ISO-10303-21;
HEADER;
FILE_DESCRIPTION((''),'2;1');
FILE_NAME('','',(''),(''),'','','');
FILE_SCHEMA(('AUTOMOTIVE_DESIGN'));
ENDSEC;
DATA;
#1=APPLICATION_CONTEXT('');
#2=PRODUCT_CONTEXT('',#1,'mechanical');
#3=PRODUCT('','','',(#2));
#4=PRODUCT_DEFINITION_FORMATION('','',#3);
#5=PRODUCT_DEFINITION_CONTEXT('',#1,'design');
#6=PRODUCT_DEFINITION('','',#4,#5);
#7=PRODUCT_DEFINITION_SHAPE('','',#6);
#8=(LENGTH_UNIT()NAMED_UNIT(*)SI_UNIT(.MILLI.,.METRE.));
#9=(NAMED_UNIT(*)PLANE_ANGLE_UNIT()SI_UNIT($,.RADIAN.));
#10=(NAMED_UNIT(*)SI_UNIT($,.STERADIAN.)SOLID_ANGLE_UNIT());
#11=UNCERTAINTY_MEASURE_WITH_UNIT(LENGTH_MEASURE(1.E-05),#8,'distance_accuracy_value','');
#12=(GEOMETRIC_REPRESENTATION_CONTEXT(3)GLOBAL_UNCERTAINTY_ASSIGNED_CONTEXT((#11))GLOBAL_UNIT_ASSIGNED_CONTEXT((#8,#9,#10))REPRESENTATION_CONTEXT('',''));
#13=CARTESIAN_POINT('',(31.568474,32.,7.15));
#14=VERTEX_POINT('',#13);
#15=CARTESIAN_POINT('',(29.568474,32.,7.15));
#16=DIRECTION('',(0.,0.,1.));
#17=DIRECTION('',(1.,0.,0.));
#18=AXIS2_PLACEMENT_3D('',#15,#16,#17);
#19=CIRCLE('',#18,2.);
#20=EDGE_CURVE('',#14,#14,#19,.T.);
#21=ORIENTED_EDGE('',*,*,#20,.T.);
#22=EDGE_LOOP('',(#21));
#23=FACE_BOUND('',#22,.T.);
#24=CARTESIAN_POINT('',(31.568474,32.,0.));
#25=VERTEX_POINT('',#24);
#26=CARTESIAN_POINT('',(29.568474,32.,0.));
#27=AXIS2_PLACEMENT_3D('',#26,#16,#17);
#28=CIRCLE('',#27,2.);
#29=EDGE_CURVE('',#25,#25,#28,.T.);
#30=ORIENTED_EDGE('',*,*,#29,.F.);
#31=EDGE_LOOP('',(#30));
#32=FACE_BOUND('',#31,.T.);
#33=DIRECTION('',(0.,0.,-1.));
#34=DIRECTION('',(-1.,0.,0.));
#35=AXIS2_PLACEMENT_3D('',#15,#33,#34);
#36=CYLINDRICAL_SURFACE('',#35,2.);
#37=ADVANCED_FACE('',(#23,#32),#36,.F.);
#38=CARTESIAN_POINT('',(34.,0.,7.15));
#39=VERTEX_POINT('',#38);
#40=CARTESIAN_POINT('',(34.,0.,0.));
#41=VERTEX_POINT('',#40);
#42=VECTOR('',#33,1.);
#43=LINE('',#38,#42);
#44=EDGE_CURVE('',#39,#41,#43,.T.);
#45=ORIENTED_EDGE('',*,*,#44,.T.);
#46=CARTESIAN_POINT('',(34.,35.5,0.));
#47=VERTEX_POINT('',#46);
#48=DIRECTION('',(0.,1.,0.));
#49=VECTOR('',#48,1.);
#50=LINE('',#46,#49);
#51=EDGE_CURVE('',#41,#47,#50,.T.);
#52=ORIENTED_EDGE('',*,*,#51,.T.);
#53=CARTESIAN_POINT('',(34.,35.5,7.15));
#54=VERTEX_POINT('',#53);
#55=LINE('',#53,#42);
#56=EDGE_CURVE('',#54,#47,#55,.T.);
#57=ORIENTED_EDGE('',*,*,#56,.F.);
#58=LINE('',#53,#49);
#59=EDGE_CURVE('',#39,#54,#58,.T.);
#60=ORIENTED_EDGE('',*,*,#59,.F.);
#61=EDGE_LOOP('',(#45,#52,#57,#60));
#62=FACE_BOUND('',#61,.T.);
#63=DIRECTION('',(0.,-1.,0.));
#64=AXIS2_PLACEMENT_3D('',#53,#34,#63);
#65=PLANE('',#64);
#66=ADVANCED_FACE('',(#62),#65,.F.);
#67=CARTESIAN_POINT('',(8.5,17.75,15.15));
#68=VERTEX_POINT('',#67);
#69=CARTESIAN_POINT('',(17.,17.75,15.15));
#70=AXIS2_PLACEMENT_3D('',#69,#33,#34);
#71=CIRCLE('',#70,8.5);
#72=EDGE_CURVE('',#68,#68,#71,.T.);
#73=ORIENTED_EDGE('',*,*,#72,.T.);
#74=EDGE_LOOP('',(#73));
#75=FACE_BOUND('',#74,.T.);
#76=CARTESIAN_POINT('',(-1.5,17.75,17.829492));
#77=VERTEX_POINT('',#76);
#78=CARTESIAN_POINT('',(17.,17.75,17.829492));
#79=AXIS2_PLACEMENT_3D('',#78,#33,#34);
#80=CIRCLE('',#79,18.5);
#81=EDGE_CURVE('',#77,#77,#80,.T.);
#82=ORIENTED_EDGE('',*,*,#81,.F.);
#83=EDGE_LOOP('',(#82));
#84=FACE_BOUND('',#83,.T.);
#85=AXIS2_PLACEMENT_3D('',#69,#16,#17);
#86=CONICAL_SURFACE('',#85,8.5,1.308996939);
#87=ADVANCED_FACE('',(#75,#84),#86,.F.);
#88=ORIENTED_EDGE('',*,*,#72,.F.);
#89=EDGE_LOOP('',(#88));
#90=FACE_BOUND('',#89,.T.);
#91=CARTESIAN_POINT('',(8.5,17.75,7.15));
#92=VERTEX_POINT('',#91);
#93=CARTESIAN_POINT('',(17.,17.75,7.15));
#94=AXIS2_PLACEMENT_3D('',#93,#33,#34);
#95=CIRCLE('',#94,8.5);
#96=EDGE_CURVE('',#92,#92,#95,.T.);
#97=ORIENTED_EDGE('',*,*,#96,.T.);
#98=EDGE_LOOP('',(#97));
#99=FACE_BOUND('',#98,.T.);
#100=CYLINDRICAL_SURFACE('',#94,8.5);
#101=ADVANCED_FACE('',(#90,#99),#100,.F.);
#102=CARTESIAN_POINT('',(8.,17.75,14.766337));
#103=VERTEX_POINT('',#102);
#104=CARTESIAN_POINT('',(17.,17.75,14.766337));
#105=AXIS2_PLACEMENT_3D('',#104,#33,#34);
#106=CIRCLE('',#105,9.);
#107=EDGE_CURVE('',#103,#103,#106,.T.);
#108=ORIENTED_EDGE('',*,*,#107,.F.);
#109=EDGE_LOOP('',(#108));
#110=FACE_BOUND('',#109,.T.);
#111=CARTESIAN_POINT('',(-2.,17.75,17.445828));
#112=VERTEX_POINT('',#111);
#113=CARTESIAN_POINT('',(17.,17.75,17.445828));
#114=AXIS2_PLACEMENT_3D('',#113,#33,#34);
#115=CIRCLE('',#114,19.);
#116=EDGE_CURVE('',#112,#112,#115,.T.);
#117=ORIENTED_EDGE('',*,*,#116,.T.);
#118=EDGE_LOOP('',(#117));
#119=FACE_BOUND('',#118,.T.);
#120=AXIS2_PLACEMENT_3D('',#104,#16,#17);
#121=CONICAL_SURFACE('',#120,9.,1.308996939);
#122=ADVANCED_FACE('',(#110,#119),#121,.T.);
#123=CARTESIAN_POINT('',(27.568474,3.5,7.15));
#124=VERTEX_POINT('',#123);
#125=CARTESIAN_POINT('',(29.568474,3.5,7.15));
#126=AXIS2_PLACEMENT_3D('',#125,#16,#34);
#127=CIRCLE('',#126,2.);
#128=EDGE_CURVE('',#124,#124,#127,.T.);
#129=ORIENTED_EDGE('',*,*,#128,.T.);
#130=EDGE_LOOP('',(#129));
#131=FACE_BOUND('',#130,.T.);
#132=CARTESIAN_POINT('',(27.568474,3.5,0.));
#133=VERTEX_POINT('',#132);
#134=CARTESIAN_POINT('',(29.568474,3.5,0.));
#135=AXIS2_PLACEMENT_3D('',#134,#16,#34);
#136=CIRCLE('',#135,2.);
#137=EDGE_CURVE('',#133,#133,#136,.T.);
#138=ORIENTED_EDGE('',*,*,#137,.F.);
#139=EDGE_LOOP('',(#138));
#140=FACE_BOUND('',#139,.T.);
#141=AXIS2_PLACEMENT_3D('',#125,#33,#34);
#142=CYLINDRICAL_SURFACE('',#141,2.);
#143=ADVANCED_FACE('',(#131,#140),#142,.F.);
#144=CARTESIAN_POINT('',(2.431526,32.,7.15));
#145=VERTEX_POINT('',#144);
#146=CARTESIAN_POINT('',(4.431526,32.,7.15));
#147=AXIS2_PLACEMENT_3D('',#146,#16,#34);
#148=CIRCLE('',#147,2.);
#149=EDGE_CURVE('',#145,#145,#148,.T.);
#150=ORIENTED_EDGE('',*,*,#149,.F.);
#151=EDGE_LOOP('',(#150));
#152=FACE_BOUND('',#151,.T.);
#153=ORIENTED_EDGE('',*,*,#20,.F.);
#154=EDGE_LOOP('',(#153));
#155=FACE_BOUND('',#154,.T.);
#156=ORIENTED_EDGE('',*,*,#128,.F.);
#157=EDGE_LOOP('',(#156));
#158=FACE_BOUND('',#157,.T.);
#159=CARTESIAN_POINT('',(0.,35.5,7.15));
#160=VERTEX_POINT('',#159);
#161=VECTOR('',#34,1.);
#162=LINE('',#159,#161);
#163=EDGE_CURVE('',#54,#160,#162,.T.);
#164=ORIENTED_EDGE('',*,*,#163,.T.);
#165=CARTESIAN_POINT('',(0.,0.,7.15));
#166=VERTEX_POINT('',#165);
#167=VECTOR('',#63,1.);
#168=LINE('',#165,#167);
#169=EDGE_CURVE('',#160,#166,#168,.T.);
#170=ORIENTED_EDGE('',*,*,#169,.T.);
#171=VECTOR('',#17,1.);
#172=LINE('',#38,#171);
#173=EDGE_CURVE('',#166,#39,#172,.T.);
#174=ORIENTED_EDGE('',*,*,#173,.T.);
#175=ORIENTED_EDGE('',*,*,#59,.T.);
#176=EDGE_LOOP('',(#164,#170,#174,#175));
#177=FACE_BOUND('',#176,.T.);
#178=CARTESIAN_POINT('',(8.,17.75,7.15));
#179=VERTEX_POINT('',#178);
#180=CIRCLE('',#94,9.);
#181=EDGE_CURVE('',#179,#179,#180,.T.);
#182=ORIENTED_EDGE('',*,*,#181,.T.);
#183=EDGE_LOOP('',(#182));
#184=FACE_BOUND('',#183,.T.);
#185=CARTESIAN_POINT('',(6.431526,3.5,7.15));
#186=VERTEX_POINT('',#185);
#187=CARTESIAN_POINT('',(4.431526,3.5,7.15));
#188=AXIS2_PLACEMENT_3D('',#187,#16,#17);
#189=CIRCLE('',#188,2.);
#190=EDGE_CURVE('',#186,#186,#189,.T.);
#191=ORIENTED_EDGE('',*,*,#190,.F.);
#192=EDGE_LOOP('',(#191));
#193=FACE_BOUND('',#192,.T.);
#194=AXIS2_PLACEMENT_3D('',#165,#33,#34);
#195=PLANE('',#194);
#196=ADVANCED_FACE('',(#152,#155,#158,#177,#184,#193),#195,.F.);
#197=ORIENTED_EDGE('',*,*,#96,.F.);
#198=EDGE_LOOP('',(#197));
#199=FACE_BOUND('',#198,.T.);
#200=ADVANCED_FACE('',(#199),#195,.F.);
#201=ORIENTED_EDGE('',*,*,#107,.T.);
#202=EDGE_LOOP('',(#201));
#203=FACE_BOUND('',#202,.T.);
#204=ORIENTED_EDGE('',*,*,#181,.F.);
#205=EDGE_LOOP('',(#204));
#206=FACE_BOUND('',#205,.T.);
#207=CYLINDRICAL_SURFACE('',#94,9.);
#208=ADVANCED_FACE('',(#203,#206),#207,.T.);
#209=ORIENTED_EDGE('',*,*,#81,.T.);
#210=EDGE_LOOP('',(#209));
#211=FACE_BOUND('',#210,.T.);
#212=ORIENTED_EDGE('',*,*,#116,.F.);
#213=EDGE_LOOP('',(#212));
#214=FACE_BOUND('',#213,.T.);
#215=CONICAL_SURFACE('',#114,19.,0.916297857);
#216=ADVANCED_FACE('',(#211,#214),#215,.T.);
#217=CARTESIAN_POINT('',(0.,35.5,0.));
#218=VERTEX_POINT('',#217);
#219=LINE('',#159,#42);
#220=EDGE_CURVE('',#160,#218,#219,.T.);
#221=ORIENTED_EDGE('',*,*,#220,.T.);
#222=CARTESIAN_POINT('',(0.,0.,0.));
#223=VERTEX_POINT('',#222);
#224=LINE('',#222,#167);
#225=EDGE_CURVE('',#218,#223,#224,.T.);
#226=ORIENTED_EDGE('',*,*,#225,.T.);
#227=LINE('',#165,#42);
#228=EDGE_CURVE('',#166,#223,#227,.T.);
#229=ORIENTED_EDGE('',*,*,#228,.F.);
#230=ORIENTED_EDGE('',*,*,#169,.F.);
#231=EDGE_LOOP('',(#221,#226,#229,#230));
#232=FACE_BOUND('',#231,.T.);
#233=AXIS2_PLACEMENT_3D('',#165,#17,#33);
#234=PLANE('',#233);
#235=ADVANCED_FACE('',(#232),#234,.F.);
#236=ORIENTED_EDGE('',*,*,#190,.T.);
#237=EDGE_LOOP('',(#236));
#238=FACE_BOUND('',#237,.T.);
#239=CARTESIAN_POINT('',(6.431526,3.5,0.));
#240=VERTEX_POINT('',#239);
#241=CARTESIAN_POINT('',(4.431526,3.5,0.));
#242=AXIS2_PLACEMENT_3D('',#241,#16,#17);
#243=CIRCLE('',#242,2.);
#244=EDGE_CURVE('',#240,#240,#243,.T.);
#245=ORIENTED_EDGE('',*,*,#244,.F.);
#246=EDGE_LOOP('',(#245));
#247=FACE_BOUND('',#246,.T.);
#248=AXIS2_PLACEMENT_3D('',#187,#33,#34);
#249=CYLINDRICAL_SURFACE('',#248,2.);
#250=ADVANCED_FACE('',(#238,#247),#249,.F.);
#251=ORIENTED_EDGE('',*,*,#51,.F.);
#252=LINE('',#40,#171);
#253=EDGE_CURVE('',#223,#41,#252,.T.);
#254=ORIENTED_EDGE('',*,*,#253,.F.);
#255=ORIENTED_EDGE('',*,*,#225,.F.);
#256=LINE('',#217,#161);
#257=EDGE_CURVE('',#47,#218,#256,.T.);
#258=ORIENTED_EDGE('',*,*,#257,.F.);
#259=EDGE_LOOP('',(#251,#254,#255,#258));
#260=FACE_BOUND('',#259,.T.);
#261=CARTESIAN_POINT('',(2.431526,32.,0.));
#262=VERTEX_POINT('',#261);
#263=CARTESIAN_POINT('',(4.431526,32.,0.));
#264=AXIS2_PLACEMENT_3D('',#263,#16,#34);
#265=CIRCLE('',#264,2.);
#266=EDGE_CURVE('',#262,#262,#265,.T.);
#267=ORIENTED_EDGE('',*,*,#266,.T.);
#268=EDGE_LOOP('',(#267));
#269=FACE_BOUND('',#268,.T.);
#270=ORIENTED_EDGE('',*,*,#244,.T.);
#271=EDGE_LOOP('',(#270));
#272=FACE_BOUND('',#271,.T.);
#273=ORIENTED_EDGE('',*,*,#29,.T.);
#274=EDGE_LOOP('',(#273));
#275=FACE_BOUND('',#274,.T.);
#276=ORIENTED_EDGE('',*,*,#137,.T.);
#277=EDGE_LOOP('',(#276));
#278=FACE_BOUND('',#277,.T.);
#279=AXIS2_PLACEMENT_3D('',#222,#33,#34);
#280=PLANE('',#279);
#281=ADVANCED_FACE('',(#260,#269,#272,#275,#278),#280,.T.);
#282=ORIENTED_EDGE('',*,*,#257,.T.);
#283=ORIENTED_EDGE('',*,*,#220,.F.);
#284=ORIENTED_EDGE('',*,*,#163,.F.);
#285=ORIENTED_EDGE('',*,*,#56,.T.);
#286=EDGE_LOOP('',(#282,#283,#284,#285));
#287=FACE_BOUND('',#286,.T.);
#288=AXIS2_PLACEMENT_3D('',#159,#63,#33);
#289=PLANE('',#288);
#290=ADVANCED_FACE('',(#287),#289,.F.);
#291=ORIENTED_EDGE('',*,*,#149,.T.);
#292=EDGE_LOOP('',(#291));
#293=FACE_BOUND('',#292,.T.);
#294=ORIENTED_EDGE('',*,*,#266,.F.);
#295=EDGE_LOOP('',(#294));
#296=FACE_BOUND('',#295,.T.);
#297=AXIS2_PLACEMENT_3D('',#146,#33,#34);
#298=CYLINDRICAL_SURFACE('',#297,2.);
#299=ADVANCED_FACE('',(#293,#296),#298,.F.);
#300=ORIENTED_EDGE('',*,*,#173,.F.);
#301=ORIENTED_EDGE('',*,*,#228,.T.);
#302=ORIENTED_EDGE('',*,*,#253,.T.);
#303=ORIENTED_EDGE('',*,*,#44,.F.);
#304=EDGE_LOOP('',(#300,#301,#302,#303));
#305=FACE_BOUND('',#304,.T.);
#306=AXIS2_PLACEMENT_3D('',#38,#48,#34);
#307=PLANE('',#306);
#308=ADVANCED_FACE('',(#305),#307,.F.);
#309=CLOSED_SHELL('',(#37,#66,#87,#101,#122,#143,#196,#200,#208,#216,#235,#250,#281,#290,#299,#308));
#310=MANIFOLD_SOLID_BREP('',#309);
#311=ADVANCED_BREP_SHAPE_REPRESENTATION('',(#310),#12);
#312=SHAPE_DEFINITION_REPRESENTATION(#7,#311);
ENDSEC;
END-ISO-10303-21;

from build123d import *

# Parameters (mm, degrees)
SKETCH1_W           = 34
SKETCH1_H           = 35.5
SKETCH1_R           = 2
BOSS_EXTRUDE1_DEPTH = 7.15


with BuildPart() as part:
    # Sketch1 → Boss-Extrude1 (new body)
    with BuildSketch(Plane.XY):
        with Locations((17, 17.75)):
            Rectangle(SKETCH1_W, SKETCH1_H)
        with Locations((4.431526268, 3.5)):
            Circle(SKETCH1_R, mode=Mode.SUBTRACT)
        with Locations((29.568473732, 3.5)):
            Circle(SKETCH1_R, mode=Mode.SUBTRACT)
        with Locations((29.568473732, 32)):
            Circle(SKETCH1_R, mode=Mode.SUBTRACT)
        with Locations((4.431526268, 32)):
            Circle(SKETCH1_R, mode=Mode.SUBTRACT)
    extrude(amount=BOSS_EXTRUDE1_DEPTH)

    # Sketch4 → Revolve2 (revolve)
    with BuildSketch(Plane(origin=(17, 0, 0), x_dir=(0, 0, -1), z_dir=(1, 0, 0))):
        Polygon((-7.15, 26.25), (-15.15, 26.25), (-17.829491924, 36.25), (-17.44582843, 36.75), (-14.766336506, 26.75), (-7.15, 26.75), align=None)
    revolve(axis=Axis((17, 17.75, 7.15), (0, 0, 1)))


solid = part.part
